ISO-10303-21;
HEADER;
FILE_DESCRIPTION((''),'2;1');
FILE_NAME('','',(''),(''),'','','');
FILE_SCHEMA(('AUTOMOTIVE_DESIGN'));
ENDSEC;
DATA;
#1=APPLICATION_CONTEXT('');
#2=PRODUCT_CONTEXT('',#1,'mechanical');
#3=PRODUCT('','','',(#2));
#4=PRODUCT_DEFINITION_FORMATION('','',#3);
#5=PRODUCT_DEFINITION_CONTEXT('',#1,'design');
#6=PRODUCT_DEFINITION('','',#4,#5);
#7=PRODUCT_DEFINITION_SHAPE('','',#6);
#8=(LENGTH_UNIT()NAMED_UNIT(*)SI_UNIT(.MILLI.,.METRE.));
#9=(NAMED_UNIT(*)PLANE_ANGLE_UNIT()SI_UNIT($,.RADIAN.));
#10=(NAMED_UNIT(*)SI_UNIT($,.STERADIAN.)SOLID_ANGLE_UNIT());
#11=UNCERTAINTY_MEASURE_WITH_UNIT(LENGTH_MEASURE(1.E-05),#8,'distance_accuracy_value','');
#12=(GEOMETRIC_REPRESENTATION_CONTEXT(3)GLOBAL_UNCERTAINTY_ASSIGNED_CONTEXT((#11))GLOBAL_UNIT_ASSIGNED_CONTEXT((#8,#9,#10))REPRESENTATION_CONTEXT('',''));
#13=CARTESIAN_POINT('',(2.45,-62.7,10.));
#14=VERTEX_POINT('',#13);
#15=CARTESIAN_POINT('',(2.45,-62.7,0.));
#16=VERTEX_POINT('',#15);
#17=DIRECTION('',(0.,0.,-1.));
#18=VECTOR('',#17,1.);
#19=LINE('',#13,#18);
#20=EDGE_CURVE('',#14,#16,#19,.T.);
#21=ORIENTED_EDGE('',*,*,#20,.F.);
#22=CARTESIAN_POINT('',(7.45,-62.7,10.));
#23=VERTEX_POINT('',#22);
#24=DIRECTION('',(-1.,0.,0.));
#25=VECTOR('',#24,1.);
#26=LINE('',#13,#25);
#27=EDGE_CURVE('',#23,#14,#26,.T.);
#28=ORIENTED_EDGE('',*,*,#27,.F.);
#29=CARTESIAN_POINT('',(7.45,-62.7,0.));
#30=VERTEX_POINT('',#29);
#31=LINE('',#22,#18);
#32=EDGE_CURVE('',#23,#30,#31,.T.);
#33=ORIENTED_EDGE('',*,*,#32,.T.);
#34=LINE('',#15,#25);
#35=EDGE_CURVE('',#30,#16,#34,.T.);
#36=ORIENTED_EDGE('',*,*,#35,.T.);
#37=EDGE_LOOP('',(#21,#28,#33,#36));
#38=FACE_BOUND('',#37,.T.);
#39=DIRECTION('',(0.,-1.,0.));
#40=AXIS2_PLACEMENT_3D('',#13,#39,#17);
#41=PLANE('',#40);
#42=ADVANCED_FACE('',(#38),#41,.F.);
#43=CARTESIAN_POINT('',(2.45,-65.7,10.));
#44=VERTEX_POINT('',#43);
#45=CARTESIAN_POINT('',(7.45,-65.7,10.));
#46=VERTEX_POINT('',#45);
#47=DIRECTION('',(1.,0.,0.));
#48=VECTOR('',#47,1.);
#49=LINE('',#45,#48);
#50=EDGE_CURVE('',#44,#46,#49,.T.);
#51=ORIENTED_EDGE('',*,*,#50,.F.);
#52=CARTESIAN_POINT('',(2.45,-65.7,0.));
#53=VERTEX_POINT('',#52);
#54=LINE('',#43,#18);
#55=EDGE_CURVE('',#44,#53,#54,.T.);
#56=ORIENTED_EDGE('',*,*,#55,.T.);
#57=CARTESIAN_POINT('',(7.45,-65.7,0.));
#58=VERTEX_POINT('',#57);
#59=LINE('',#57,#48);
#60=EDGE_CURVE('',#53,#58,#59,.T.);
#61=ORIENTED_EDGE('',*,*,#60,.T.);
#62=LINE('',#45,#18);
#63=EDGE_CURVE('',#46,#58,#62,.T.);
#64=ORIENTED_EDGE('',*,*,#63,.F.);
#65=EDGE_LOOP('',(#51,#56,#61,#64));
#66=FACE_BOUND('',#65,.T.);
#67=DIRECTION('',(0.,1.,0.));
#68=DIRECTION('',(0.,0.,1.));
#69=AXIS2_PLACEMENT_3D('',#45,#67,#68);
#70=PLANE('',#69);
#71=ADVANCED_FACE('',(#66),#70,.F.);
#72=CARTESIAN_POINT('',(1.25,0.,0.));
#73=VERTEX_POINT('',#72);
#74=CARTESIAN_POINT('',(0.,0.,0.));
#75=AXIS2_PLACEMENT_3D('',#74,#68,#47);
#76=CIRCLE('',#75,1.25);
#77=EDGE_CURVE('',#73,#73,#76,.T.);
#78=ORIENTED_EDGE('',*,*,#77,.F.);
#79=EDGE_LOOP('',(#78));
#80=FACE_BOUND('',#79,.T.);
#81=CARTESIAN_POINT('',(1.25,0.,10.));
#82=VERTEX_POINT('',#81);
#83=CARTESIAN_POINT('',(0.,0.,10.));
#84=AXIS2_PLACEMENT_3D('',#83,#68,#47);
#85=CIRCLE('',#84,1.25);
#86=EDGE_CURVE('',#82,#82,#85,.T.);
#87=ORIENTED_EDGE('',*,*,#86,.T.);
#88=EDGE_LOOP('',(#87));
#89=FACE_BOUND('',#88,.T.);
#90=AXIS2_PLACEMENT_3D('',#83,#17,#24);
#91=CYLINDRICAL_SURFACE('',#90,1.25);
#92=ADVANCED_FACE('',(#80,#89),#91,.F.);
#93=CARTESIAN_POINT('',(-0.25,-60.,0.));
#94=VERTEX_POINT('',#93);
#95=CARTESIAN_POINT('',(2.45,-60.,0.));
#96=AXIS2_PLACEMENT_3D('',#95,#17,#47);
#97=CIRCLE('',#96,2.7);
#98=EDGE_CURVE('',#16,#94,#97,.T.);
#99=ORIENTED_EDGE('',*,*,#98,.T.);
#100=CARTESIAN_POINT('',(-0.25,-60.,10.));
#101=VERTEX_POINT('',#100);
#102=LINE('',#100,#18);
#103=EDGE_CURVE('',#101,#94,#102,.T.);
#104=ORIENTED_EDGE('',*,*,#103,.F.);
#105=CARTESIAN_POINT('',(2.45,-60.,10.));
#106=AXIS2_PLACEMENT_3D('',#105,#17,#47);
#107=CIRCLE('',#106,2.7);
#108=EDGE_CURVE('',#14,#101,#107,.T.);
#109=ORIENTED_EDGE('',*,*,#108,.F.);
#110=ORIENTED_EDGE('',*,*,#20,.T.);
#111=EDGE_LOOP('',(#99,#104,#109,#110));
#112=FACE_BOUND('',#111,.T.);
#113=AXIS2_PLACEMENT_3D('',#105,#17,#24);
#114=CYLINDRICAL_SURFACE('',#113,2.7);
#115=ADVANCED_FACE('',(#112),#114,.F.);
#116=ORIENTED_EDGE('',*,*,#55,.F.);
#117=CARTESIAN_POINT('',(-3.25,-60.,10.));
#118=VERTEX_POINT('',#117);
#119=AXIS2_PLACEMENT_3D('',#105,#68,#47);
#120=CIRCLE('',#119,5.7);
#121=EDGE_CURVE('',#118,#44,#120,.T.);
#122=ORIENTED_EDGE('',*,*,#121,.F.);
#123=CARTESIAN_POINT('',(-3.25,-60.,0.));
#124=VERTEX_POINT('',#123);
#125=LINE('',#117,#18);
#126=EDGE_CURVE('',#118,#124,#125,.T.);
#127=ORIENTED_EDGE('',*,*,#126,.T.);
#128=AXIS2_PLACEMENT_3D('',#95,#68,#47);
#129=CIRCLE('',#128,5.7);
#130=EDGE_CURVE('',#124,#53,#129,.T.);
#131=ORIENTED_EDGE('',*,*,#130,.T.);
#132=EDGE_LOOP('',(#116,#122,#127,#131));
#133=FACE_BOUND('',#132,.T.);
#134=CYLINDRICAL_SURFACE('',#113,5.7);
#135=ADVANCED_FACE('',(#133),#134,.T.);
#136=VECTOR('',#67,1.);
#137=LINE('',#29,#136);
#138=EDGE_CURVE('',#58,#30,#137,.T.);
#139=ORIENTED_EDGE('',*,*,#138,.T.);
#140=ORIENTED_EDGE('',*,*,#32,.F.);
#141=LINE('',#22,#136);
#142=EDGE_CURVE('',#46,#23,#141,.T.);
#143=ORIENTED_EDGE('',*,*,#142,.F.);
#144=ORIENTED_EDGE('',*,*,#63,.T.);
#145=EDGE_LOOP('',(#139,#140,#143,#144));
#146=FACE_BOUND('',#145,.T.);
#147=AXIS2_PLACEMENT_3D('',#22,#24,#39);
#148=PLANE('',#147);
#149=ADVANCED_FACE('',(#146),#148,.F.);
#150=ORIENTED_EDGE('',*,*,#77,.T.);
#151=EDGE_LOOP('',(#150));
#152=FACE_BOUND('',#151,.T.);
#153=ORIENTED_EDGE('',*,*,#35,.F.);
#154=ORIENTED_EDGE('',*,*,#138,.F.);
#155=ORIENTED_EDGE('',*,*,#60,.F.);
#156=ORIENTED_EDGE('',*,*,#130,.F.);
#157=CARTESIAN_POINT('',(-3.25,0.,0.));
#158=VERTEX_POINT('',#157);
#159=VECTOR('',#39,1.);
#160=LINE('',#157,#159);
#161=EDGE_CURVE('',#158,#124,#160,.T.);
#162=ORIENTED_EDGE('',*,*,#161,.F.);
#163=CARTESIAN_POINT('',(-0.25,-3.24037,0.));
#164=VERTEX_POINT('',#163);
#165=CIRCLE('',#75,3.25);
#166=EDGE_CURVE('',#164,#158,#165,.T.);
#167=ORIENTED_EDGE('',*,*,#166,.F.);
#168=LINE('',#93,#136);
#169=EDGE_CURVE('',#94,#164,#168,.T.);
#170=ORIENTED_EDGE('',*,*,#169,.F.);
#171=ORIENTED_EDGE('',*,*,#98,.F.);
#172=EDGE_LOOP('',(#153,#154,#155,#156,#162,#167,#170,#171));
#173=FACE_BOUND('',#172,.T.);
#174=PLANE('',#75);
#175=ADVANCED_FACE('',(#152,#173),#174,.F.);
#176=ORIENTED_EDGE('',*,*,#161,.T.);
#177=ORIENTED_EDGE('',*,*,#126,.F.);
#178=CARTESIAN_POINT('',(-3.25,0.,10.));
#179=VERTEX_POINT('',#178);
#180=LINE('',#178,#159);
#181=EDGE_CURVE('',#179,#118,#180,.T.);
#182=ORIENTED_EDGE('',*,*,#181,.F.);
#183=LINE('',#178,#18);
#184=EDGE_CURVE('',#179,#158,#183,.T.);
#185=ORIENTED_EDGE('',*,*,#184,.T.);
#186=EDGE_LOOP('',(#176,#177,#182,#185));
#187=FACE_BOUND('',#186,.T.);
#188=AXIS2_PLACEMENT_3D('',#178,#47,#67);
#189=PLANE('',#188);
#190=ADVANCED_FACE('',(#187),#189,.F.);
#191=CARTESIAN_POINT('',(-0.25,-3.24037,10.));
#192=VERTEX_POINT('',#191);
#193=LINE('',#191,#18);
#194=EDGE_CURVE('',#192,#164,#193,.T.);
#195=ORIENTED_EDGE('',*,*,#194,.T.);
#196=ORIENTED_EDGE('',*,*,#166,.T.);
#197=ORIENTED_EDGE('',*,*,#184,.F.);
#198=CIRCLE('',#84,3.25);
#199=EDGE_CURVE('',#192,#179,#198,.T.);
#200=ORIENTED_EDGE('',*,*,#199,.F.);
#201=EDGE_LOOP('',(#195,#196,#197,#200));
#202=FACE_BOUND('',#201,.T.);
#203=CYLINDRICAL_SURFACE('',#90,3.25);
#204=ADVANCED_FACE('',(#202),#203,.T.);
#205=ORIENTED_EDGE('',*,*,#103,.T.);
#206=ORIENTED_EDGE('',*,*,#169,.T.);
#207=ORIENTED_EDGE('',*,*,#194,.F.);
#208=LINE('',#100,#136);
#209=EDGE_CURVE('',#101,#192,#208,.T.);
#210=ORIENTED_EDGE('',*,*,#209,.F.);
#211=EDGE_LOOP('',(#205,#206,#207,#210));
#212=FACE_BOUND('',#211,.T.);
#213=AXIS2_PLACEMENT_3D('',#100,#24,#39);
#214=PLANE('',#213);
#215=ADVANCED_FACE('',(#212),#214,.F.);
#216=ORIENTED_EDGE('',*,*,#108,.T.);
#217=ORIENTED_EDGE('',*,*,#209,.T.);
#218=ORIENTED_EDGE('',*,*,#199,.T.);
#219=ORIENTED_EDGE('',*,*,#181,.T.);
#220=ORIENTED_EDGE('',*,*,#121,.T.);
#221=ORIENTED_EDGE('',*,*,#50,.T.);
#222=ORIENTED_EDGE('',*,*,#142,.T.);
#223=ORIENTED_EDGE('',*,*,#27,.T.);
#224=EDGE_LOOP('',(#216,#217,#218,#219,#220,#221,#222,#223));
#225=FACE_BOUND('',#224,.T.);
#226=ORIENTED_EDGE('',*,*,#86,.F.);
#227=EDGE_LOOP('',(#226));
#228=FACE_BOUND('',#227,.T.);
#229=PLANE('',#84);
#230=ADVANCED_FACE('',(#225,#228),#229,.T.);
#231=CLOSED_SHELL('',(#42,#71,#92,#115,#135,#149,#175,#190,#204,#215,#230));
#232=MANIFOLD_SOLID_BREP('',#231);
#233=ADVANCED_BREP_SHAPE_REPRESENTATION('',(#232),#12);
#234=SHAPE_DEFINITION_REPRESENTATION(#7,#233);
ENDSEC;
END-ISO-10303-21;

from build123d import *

# Parameters (mm, degrees)
SKETCH1_R           = 1.25
BOSS_EXTRUDE1_DEPTH = 10


with BuildPart() as part:
    # Sketch1 → Boss-Extrude1 (new body)
    with BuildSketch(Plane.XY):
        with BuildLine():
            Line((-3.25, 0), (-3.25, -60))
            ThreePointArc((-3.25, -60), (-1.580508653, -64.030508653), (2.45, -65.7))
            Line((2.45, -65.7), (7.45, -65.7))
            Line((7.45, -65.7), (7.45, -62.7))
            Line((7.45, -62.7), (2.45, -62.7))
            ThreePointArc((2.45, -62.7), (0.540811691, -61.909188309), (-0.25, -60))
            Line((-0.25, -60), (-0.25, -3.240370349))
            ThreePointArc((-0.25, -3.240370349), (2.384848004, 2.207940217), (-3.25, 0))
        make_face()
        Circle(SKETCH1_R, mode=Mode.SUBTRACT)
    extrude(amount=BOSS_EXTRUDE1_DEPTH)


solid = part.part
